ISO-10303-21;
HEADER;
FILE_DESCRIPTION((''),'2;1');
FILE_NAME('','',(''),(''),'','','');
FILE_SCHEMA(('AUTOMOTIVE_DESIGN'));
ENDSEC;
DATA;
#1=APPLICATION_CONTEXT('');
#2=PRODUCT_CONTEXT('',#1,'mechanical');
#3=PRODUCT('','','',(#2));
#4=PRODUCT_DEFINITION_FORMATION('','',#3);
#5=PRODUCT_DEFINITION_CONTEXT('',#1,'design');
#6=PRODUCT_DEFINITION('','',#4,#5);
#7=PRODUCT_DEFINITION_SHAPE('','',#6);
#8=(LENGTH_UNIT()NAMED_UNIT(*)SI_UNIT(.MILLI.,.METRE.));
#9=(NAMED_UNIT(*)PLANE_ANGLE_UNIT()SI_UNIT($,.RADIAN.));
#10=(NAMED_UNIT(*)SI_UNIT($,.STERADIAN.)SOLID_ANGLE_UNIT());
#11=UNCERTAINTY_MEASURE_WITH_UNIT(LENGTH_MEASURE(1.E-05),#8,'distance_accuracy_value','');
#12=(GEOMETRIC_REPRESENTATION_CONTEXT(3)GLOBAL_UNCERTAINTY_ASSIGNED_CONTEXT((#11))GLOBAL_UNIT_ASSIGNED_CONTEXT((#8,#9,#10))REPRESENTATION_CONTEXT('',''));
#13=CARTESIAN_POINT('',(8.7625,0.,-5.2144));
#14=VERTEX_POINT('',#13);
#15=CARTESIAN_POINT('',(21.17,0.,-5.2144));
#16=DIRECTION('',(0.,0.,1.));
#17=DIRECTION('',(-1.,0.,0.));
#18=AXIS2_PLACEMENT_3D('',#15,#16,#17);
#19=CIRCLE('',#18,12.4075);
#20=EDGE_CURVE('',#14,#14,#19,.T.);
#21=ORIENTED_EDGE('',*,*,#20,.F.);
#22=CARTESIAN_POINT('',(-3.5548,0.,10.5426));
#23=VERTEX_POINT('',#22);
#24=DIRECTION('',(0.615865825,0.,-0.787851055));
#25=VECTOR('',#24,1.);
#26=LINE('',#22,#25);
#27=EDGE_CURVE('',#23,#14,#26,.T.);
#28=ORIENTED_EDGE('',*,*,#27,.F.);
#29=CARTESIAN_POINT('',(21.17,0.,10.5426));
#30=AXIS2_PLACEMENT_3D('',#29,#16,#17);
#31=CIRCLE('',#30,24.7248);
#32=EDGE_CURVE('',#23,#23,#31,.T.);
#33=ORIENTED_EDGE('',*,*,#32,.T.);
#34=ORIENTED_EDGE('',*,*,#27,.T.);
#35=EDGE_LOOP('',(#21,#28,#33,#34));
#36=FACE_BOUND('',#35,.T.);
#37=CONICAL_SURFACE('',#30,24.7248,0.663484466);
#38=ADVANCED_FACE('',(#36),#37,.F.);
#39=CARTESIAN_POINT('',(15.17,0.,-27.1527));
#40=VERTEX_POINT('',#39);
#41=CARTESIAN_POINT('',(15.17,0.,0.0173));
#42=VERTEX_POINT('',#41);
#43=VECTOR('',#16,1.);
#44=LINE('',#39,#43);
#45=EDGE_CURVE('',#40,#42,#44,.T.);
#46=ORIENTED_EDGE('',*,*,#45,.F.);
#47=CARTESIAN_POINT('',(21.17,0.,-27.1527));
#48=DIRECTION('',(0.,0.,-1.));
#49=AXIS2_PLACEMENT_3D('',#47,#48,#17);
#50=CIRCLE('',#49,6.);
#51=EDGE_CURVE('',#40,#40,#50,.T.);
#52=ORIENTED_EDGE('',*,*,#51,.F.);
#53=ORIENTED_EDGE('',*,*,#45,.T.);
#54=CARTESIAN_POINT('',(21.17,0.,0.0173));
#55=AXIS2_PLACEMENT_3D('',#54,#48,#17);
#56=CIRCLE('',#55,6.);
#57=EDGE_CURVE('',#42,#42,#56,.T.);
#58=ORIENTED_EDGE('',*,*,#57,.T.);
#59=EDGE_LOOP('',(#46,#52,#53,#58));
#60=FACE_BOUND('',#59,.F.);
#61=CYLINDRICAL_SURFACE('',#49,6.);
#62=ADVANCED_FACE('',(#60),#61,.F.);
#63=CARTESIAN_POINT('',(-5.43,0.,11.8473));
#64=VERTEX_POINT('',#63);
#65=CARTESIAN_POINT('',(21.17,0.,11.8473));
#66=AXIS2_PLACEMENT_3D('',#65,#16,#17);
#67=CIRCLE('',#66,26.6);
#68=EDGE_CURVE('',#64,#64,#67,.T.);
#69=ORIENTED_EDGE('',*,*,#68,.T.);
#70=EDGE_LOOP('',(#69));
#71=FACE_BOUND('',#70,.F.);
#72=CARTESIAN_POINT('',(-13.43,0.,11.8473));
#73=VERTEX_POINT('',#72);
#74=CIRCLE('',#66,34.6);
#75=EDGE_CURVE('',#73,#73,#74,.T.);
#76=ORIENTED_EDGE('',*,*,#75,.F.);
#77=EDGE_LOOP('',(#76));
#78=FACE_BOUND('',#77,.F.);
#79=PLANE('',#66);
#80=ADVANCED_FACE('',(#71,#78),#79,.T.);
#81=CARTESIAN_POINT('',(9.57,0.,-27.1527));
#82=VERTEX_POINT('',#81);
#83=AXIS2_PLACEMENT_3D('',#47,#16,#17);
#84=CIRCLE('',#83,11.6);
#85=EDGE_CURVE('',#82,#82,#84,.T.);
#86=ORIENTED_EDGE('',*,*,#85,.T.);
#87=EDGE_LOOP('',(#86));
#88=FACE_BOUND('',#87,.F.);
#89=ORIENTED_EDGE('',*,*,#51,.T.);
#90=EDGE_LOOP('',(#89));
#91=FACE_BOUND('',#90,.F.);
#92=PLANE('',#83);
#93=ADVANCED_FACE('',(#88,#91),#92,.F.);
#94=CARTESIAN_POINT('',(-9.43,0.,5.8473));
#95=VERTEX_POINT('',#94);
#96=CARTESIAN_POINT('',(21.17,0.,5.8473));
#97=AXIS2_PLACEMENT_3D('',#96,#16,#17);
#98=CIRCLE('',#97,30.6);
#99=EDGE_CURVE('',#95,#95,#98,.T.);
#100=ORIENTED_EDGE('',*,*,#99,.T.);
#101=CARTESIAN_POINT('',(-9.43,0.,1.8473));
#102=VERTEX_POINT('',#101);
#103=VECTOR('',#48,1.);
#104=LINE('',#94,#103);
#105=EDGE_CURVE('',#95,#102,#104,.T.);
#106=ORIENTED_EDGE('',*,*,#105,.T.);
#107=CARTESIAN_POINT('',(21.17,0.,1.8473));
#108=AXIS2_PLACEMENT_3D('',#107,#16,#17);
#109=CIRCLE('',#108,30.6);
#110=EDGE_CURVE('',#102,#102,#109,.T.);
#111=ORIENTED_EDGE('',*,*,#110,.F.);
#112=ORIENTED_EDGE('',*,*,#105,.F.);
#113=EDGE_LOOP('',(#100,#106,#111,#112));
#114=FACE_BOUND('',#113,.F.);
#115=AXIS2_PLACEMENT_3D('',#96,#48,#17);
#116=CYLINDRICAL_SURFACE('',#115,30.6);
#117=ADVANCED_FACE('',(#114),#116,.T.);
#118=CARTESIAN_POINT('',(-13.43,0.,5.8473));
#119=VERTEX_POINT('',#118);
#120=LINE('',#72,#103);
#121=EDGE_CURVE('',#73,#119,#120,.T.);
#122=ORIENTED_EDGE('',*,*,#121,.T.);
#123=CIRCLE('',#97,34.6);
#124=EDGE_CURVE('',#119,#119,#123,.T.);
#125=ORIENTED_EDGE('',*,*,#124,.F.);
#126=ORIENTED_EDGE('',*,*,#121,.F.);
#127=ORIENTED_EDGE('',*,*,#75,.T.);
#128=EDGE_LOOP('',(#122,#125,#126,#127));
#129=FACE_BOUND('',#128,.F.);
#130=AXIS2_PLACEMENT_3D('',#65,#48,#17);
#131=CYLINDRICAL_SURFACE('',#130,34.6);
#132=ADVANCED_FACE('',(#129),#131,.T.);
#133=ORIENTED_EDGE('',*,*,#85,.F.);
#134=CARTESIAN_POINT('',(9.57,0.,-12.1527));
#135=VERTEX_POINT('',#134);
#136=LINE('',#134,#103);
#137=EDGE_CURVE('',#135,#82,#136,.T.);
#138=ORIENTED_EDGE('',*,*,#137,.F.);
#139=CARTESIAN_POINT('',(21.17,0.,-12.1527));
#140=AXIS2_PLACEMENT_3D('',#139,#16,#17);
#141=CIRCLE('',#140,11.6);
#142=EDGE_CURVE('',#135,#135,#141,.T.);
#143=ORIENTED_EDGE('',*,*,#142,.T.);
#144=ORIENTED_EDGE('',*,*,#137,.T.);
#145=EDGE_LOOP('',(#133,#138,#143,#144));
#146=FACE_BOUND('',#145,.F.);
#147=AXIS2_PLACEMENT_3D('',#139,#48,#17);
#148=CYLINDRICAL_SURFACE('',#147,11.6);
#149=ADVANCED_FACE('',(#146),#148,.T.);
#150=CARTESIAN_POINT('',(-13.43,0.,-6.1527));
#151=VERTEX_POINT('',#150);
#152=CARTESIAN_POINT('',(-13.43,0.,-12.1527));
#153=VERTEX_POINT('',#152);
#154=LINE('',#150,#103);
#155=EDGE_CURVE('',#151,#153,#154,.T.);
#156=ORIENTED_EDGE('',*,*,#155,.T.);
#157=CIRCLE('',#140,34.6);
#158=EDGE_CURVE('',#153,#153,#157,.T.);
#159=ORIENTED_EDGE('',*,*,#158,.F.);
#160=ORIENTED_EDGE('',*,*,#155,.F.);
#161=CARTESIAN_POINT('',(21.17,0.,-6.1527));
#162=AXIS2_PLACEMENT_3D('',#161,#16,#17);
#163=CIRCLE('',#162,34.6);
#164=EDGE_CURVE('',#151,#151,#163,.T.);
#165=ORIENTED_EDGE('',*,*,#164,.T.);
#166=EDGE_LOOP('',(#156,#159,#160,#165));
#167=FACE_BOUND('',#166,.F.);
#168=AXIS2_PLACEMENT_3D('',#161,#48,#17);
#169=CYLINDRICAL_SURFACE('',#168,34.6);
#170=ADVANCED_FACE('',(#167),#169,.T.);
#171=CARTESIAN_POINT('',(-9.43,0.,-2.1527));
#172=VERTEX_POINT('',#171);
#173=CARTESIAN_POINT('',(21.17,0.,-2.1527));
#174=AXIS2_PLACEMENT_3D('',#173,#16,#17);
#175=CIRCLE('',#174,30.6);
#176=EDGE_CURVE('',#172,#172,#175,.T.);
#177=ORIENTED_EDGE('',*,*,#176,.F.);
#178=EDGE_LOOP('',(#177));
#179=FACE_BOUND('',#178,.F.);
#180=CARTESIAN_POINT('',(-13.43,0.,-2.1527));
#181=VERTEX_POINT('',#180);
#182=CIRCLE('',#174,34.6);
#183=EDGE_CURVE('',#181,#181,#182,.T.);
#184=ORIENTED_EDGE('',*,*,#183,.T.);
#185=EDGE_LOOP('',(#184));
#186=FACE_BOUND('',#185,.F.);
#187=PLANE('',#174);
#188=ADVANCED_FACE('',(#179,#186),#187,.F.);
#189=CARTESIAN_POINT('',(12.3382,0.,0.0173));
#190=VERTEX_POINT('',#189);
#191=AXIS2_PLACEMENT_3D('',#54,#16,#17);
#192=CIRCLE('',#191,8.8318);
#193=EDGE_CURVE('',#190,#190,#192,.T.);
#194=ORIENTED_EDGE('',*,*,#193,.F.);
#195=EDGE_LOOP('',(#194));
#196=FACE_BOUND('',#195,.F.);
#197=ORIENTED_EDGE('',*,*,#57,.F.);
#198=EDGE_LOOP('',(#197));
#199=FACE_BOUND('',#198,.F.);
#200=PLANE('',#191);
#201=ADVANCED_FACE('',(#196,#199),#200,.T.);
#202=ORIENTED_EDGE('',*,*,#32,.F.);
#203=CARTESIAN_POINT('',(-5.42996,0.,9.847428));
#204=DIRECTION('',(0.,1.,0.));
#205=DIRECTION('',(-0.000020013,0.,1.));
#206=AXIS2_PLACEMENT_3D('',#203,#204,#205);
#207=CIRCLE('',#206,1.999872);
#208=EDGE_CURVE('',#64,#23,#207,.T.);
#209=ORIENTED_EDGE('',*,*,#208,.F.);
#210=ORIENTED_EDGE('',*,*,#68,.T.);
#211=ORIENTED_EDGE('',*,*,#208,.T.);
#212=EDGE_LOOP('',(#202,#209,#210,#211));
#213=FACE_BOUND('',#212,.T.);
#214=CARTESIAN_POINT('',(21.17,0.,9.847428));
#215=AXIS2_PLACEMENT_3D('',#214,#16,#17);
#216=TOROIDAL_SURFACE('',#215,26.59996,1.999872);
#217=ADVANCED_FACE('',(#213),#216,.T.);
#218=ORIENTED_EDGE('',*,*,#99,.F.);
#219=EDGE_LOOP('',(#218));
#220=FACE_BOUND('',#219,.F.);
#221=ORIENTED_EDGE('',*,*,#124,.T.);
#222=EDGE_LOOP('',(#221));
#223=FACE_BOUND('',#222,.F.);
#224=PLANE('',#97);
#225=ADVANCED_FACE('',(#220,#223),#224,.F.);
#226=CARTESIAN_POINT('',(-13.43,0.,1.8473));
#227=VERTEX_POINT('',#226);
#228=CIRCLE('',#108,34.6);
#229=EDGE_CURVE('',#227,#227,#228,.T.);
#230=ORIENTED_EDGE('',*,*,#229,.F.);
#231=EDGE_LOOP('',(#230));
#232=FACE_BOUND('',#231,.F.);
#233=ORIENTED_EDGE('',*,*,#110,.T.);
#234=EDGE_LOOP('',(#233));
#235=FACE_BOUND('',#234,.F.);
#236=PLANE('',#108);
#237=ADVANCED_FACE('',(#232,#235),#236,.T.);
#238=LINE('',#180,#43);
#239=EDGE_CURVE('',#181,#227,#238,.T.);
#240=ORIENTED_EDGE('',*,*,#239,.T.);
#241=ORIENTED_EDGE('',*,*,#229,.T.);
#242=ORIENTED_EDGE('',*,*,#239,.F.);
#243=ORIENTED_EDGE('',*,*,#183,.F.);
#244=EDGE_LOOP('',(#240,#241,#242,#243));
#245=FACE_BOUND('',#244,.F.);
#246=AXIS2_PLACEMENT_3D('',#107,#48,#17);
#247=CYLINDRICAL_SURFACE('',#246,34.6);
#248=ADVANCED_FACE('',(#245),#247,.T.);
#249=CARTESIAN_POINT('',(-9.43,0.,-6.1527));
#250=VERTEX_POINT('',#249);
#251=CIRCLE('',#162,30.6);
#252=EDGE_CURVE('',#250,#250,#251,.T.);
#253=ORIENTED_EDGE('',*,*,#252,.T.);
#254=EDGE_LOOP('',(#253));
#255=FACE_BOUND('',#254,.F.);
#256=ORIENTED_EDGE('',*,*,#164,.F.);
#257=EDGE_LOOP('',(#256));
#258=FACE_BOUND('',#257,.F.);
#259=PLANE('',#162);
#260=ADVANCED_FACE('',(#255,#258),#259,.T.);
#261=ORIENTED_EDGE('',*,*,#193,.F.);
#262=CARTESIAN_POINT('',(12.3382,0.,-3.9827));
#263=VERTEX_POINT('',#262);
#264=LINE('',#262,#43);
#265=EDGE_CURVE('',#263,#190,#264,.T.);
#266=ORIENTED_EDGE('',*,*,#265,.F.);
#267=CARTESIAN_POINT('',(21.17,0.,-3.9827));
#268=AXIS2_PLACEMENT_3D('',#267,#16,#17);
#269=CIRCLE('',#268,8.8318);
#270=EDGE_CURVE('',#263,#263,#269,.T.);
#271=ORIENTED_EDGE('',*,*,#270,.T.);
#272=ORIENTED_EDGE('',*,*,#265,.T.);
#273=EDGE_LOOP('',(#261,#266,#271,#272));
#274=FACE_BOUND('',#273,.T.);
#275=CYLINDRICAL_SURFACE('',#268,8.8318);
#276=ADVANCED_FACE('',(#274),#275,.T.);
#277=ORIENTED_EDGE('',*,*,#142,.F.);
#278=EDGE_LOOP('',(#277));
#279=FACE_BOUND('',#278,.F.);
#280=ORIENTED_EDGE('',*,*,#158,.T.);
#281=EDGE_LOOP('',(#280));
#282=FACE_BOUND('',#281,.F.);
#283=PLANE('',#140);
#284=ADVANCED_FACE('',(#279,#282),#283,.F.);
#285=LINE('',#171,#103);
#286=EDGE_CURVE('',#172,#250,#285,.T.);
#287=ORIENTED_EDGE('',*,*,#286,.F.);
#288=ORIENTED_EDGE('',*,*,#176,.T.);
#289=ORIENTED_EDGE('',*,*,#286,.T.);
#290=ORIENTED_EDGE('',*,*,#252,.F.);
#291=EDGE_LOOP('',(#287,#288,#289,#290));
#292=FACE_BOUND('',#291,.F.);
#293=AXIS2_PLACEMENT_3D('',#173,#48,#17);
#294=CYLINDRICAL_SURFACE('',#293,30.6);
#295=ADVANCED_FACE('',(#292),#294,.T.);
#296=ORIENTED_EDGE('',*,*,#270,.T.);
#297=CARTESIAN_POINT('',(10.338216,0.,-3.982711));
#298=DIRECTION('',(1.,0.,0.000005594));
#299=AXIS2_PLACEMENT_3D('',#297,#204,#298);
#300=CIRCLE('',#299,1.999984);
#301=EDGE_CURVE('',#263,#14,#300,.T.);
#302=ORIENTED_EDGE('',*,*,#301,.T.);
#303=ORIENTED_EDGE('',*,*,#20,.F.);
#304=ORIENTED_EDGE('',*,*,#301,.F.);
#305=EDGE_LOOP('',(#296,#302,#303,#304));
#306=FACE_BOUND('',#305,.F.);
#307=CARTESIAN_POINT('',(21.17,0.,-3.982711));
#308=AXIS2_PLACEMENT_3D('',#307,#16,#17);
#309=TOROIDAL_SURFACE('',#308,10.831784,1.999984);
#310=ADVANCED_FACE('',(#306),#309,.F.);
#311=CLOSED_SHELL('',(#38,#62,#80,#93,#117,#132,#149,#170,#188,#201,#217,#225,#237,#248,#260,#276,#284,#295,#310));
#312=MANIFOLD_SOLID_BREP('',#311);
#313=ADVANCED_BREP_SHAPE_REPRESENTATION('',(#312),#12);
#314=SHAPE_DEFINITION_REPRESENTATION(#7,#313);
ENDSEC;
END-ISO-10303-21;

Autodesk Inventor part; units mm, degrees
ref_plane "YZ Plane" through (0, 0, 0) normal (1, 0, 0) x (0, 1, 0)
ref_plane "XZ Plane" through (0, 0, 0) normal (0, 1, 0) x (-1, 0, 0)
ref_plane "XY Plane" through (0, 0, 0) normal (0, 0, 1) x (1, 0, 0)
sketch "Szkic1" plane through (0, 0, 0) normal (0, 1, 0) x (-1, 0, 0)
  line L0 (5.43, 11.8473) -> (13.43, 11.8473)
  line L1 (13.43, -12.1527) -> (-9.57, -12.1527)
  line L2 (-9.57, -12.1527) -> (-9.57, -27.1527)
  line L3 (-9.57, -27.1527) -> (-21.17, -27.1527)
  arc A0 (5.43, 11.8473) -> (3.5548, 10.5426) centre (5.43, 9.8473) ccw
  line L4 (3.5548, 10.5426) -> (-8.7625, -5.2144)
  arc A1 (-12.3382, -3.9827) -> (-8.7625, -5.2144) centre (-10.3382, -3.9827) ccw
  line L5 (-12.3382, -3.9827) -> (-12.3382, 0.0173)
  line L6 (-21.17, -27.1527) -> (-21.17, 0.0173)
  line L7 (-21.17, 0.0173) -> (-12.3382, 0.0173)
  line L8 (13.43, 11.8473) -> (13.43, 5.8473)
  line L9 (13.43, 5.8473) -> (9.43, 5.8473)
  line L10 (9.43, 5.8473) -> (9.43, 1.8473)
  line L11 (9.43, 1.8473) -> (13.43, 1.8473)
  line L12 (13.43, 1.8473) -> (13.43, -1.1527)
  line L13 (13.43, 1.8473) -> (13.43, -2.1527)
  line L14 (13.43, -2.1527) -> (9.43, -2.1527)
  line L15 (9.43, -2.1527) -> (9.43, -6.1527)
  line L16 (9.43, -6.1527) -> (13.43, -6.1527)
  line L17 (13.43, -6.1527) -> (13.43, -12.1527)
  point P0 (0, 0)
  dimension "d0" = 8
  dimension "d1" = 24
  dimension "d2" = 23
  dimension "d3" = 15
  dimension "d4" = 11.6
  dimension "d5" = 2
  dimension "d6" = 20
  dimension "d7" = 2
  dimension "d8" = 4
  dimension "d16" = 6
  dimension "d17" = 4
  dimension "d18" = 4
  dimension "d19" = 4
  dimension "d21" = 4
  dimension "d22" = 4
  dimension "d23" = 4
  dimension "d24" = 4
revolve "Obrót1" add sketch "Szkic1" angle 360 about axis through (21.17, 0, -27.1527) along (0, 0, 1)
sketch "Szkic2" plane through (21.17, 0, -27.1527) normal (0, 0, -1) x (-1, 0, 0)
  point P0 (21.17, 0)
sketch "Szkic3" plane through (21.17, 0, -27.1527) normal (0, 0, -1) x (-1, 0, 0)
  circle A0 centre (0, 0) radius 6
  point P0 (21.17, 0)
  dimension "d13" = 12
extrude "Wyciągnięcie proste2" cut sketch "Szkic3" against normal blind 39
properties part number "7Tłok" material "Tworzywo sztuczne PET"
